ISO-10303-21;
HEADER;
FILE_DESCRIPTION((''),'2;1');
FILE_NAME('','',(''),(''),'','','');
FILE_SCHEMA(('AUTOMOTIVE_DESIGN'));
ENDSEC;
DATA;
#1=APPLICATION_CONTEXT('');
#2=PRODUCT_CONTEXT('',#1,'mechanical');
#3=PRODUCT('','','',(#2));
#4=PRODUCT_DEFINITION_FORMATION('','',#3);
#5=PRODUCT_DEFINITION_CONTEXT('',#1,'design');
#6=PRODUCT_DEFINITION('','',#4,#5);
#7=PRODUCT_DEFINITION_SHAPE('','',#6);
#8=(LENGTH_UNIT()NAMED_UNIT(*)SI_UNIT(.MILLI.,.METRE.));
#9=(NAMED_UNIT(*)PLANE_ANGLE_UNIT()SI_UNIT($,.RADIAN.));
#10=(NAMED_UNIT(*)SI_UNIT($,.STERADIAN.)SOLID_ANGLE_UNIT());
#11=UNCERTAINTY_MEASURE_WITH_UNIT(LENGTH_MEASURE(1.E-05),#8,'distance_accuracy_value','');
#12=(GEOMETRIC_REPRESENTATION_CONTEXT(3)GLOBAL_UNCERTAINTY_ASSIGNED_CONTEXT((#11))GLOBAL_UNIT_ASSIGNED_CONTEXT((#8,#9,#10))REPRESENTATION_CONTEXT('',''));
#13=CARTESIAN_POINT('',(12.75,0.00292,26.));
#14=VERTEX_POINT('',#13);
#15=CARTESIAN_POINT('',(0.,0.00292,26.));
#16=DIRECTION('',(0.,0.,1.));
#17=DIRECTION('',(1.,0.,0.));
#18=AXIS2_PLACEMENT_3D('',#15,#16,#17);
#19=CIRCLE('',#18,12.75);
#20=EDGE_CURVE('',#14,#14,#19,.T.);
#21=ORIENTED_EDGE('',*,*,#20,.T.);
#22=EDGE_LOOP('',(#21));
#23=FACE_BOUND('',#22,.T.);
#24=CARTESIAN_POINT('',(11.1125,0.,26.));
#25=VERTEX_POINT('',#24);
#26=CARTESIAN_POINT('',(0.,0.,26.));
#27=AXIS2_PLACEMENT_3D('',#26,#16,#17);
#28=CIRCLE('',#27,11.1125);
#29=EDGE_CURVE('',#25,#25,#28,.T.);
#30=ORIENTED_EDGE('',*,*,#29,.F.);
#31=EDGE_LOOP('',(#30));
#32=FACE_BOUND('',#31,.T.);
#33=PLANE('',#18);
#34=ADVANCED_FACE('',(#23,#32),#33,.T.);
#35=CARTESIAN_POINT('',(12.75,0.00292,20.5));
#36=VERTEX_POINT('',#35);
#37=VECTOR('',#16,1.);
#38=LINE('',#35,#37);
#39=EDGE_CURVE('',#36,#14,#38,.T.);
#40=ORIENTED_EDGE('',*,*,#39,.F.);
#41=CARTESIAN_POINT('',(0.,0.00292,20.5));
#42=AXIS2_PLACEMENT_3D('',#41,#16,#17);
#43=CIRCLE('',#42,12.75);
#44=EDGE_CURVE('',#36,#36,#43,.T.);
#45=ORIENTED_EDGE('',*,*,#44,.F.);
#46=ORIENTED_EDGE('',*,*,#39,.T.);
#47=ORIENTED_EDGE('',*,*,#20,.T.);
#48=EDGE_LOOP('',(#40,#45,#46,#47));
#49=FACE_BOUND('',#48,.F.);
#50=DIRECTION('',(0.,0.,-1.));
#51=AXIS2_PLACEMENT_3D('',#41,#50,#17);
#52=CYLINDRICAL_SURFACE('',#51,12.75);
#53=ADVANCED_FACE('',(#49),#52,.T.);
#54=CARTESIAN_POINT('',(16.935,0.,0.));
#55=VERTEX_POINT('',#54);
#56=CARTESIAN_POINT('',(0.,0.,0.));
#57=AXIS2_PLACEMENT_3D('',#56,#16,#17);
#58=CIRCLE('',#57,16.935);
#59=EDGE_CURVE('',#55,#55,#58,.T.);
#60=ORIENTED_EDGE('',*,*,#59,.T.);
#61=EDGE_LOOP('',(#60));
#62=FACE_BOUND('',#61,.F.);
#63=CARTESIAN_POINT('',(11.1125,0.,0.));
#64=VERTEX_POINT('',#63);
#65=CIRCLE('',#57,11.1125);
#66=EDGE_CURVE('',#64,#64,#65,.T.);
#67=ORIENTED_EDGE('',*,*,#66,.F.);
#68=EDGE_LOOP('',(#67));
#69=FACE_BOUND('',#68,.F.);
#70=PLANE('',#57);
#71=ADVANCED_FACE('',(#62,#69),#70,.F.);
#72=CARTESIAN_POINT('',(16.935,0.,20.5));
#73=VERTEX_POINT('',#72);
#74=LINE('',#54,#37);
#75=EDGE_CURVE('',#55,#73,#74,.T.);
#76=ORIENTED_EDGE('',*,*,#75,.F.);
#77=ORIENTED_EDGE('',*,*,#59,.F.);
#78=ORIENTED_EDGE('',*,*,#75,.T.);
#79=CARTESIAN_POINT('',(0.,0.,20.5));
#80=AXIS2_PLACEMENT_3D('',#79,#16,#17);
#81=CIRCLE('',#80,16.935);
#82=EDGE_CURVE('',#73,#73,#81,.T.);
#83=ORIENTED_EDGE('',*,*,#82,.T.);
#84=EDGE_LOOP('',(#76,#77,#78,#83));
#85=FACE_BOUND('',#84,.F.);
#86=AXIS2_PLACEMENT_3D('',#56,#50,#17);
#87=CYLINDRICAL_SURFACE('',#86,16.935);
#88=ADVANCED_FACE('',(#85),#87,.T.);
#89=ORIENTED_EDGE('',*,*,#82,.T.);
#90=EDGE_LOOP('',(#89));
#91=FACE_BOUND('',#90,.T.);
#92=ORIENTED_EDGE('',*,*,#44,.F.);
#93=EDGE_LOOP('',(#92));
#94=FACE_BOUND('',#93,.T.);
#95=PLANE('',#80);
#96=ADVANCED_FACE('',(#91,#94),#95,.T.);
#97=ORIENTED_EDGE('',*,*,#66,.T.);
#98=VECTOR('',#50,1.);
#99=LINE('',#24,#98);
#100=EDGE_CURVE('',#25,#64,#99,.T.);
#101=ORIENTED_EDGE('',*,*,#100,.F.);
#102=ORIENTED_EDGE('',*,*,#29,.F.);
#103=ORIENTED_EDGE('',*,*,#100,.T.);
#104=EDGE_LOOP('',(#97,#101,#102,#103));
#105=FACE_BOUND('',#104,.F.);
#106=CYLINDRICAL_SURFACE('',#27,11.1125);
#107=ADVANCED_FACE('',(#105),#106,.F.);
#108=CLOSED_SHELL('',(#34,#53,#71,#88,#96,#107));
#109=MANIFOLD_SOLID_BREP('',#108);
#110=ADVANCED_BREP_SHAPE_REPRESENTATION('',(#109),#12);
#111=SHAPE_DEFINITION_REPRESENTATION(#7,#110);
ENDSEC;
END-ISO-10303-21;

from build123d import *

# Parameters (mm, degrees)
F0_R     = 16.935
F1_DEPTH = 20.5
F2_R     = 12.75
F3_DEPTH = 5.5
F4_R     = 11.1125
F5_DEPTH = 40.132


with BuildPart() as f1:
    # F0 (on Top) → F1 (new body)
    with BuildSketch(Plane.XY):
        Circle(F0_R)
    extrude(amount=F1_DEPTH)

    # F2 (on face) → F3 (join)
    with BuildSketch(Plane.XY.offset(20.5)):
        with Locations((0, 0.00292)):
            Circle(F2_R)
    extrude(amount=F3_DEPTH)

    # F4 (on face) → F5 (cut)
    with BuildSketch(Plane.XY.offset(26)):
        Circle(F4_R)
    extrude(amount=-F5_DEPTH, mode=Mode.SUBTRACT)


solid = f1.part
